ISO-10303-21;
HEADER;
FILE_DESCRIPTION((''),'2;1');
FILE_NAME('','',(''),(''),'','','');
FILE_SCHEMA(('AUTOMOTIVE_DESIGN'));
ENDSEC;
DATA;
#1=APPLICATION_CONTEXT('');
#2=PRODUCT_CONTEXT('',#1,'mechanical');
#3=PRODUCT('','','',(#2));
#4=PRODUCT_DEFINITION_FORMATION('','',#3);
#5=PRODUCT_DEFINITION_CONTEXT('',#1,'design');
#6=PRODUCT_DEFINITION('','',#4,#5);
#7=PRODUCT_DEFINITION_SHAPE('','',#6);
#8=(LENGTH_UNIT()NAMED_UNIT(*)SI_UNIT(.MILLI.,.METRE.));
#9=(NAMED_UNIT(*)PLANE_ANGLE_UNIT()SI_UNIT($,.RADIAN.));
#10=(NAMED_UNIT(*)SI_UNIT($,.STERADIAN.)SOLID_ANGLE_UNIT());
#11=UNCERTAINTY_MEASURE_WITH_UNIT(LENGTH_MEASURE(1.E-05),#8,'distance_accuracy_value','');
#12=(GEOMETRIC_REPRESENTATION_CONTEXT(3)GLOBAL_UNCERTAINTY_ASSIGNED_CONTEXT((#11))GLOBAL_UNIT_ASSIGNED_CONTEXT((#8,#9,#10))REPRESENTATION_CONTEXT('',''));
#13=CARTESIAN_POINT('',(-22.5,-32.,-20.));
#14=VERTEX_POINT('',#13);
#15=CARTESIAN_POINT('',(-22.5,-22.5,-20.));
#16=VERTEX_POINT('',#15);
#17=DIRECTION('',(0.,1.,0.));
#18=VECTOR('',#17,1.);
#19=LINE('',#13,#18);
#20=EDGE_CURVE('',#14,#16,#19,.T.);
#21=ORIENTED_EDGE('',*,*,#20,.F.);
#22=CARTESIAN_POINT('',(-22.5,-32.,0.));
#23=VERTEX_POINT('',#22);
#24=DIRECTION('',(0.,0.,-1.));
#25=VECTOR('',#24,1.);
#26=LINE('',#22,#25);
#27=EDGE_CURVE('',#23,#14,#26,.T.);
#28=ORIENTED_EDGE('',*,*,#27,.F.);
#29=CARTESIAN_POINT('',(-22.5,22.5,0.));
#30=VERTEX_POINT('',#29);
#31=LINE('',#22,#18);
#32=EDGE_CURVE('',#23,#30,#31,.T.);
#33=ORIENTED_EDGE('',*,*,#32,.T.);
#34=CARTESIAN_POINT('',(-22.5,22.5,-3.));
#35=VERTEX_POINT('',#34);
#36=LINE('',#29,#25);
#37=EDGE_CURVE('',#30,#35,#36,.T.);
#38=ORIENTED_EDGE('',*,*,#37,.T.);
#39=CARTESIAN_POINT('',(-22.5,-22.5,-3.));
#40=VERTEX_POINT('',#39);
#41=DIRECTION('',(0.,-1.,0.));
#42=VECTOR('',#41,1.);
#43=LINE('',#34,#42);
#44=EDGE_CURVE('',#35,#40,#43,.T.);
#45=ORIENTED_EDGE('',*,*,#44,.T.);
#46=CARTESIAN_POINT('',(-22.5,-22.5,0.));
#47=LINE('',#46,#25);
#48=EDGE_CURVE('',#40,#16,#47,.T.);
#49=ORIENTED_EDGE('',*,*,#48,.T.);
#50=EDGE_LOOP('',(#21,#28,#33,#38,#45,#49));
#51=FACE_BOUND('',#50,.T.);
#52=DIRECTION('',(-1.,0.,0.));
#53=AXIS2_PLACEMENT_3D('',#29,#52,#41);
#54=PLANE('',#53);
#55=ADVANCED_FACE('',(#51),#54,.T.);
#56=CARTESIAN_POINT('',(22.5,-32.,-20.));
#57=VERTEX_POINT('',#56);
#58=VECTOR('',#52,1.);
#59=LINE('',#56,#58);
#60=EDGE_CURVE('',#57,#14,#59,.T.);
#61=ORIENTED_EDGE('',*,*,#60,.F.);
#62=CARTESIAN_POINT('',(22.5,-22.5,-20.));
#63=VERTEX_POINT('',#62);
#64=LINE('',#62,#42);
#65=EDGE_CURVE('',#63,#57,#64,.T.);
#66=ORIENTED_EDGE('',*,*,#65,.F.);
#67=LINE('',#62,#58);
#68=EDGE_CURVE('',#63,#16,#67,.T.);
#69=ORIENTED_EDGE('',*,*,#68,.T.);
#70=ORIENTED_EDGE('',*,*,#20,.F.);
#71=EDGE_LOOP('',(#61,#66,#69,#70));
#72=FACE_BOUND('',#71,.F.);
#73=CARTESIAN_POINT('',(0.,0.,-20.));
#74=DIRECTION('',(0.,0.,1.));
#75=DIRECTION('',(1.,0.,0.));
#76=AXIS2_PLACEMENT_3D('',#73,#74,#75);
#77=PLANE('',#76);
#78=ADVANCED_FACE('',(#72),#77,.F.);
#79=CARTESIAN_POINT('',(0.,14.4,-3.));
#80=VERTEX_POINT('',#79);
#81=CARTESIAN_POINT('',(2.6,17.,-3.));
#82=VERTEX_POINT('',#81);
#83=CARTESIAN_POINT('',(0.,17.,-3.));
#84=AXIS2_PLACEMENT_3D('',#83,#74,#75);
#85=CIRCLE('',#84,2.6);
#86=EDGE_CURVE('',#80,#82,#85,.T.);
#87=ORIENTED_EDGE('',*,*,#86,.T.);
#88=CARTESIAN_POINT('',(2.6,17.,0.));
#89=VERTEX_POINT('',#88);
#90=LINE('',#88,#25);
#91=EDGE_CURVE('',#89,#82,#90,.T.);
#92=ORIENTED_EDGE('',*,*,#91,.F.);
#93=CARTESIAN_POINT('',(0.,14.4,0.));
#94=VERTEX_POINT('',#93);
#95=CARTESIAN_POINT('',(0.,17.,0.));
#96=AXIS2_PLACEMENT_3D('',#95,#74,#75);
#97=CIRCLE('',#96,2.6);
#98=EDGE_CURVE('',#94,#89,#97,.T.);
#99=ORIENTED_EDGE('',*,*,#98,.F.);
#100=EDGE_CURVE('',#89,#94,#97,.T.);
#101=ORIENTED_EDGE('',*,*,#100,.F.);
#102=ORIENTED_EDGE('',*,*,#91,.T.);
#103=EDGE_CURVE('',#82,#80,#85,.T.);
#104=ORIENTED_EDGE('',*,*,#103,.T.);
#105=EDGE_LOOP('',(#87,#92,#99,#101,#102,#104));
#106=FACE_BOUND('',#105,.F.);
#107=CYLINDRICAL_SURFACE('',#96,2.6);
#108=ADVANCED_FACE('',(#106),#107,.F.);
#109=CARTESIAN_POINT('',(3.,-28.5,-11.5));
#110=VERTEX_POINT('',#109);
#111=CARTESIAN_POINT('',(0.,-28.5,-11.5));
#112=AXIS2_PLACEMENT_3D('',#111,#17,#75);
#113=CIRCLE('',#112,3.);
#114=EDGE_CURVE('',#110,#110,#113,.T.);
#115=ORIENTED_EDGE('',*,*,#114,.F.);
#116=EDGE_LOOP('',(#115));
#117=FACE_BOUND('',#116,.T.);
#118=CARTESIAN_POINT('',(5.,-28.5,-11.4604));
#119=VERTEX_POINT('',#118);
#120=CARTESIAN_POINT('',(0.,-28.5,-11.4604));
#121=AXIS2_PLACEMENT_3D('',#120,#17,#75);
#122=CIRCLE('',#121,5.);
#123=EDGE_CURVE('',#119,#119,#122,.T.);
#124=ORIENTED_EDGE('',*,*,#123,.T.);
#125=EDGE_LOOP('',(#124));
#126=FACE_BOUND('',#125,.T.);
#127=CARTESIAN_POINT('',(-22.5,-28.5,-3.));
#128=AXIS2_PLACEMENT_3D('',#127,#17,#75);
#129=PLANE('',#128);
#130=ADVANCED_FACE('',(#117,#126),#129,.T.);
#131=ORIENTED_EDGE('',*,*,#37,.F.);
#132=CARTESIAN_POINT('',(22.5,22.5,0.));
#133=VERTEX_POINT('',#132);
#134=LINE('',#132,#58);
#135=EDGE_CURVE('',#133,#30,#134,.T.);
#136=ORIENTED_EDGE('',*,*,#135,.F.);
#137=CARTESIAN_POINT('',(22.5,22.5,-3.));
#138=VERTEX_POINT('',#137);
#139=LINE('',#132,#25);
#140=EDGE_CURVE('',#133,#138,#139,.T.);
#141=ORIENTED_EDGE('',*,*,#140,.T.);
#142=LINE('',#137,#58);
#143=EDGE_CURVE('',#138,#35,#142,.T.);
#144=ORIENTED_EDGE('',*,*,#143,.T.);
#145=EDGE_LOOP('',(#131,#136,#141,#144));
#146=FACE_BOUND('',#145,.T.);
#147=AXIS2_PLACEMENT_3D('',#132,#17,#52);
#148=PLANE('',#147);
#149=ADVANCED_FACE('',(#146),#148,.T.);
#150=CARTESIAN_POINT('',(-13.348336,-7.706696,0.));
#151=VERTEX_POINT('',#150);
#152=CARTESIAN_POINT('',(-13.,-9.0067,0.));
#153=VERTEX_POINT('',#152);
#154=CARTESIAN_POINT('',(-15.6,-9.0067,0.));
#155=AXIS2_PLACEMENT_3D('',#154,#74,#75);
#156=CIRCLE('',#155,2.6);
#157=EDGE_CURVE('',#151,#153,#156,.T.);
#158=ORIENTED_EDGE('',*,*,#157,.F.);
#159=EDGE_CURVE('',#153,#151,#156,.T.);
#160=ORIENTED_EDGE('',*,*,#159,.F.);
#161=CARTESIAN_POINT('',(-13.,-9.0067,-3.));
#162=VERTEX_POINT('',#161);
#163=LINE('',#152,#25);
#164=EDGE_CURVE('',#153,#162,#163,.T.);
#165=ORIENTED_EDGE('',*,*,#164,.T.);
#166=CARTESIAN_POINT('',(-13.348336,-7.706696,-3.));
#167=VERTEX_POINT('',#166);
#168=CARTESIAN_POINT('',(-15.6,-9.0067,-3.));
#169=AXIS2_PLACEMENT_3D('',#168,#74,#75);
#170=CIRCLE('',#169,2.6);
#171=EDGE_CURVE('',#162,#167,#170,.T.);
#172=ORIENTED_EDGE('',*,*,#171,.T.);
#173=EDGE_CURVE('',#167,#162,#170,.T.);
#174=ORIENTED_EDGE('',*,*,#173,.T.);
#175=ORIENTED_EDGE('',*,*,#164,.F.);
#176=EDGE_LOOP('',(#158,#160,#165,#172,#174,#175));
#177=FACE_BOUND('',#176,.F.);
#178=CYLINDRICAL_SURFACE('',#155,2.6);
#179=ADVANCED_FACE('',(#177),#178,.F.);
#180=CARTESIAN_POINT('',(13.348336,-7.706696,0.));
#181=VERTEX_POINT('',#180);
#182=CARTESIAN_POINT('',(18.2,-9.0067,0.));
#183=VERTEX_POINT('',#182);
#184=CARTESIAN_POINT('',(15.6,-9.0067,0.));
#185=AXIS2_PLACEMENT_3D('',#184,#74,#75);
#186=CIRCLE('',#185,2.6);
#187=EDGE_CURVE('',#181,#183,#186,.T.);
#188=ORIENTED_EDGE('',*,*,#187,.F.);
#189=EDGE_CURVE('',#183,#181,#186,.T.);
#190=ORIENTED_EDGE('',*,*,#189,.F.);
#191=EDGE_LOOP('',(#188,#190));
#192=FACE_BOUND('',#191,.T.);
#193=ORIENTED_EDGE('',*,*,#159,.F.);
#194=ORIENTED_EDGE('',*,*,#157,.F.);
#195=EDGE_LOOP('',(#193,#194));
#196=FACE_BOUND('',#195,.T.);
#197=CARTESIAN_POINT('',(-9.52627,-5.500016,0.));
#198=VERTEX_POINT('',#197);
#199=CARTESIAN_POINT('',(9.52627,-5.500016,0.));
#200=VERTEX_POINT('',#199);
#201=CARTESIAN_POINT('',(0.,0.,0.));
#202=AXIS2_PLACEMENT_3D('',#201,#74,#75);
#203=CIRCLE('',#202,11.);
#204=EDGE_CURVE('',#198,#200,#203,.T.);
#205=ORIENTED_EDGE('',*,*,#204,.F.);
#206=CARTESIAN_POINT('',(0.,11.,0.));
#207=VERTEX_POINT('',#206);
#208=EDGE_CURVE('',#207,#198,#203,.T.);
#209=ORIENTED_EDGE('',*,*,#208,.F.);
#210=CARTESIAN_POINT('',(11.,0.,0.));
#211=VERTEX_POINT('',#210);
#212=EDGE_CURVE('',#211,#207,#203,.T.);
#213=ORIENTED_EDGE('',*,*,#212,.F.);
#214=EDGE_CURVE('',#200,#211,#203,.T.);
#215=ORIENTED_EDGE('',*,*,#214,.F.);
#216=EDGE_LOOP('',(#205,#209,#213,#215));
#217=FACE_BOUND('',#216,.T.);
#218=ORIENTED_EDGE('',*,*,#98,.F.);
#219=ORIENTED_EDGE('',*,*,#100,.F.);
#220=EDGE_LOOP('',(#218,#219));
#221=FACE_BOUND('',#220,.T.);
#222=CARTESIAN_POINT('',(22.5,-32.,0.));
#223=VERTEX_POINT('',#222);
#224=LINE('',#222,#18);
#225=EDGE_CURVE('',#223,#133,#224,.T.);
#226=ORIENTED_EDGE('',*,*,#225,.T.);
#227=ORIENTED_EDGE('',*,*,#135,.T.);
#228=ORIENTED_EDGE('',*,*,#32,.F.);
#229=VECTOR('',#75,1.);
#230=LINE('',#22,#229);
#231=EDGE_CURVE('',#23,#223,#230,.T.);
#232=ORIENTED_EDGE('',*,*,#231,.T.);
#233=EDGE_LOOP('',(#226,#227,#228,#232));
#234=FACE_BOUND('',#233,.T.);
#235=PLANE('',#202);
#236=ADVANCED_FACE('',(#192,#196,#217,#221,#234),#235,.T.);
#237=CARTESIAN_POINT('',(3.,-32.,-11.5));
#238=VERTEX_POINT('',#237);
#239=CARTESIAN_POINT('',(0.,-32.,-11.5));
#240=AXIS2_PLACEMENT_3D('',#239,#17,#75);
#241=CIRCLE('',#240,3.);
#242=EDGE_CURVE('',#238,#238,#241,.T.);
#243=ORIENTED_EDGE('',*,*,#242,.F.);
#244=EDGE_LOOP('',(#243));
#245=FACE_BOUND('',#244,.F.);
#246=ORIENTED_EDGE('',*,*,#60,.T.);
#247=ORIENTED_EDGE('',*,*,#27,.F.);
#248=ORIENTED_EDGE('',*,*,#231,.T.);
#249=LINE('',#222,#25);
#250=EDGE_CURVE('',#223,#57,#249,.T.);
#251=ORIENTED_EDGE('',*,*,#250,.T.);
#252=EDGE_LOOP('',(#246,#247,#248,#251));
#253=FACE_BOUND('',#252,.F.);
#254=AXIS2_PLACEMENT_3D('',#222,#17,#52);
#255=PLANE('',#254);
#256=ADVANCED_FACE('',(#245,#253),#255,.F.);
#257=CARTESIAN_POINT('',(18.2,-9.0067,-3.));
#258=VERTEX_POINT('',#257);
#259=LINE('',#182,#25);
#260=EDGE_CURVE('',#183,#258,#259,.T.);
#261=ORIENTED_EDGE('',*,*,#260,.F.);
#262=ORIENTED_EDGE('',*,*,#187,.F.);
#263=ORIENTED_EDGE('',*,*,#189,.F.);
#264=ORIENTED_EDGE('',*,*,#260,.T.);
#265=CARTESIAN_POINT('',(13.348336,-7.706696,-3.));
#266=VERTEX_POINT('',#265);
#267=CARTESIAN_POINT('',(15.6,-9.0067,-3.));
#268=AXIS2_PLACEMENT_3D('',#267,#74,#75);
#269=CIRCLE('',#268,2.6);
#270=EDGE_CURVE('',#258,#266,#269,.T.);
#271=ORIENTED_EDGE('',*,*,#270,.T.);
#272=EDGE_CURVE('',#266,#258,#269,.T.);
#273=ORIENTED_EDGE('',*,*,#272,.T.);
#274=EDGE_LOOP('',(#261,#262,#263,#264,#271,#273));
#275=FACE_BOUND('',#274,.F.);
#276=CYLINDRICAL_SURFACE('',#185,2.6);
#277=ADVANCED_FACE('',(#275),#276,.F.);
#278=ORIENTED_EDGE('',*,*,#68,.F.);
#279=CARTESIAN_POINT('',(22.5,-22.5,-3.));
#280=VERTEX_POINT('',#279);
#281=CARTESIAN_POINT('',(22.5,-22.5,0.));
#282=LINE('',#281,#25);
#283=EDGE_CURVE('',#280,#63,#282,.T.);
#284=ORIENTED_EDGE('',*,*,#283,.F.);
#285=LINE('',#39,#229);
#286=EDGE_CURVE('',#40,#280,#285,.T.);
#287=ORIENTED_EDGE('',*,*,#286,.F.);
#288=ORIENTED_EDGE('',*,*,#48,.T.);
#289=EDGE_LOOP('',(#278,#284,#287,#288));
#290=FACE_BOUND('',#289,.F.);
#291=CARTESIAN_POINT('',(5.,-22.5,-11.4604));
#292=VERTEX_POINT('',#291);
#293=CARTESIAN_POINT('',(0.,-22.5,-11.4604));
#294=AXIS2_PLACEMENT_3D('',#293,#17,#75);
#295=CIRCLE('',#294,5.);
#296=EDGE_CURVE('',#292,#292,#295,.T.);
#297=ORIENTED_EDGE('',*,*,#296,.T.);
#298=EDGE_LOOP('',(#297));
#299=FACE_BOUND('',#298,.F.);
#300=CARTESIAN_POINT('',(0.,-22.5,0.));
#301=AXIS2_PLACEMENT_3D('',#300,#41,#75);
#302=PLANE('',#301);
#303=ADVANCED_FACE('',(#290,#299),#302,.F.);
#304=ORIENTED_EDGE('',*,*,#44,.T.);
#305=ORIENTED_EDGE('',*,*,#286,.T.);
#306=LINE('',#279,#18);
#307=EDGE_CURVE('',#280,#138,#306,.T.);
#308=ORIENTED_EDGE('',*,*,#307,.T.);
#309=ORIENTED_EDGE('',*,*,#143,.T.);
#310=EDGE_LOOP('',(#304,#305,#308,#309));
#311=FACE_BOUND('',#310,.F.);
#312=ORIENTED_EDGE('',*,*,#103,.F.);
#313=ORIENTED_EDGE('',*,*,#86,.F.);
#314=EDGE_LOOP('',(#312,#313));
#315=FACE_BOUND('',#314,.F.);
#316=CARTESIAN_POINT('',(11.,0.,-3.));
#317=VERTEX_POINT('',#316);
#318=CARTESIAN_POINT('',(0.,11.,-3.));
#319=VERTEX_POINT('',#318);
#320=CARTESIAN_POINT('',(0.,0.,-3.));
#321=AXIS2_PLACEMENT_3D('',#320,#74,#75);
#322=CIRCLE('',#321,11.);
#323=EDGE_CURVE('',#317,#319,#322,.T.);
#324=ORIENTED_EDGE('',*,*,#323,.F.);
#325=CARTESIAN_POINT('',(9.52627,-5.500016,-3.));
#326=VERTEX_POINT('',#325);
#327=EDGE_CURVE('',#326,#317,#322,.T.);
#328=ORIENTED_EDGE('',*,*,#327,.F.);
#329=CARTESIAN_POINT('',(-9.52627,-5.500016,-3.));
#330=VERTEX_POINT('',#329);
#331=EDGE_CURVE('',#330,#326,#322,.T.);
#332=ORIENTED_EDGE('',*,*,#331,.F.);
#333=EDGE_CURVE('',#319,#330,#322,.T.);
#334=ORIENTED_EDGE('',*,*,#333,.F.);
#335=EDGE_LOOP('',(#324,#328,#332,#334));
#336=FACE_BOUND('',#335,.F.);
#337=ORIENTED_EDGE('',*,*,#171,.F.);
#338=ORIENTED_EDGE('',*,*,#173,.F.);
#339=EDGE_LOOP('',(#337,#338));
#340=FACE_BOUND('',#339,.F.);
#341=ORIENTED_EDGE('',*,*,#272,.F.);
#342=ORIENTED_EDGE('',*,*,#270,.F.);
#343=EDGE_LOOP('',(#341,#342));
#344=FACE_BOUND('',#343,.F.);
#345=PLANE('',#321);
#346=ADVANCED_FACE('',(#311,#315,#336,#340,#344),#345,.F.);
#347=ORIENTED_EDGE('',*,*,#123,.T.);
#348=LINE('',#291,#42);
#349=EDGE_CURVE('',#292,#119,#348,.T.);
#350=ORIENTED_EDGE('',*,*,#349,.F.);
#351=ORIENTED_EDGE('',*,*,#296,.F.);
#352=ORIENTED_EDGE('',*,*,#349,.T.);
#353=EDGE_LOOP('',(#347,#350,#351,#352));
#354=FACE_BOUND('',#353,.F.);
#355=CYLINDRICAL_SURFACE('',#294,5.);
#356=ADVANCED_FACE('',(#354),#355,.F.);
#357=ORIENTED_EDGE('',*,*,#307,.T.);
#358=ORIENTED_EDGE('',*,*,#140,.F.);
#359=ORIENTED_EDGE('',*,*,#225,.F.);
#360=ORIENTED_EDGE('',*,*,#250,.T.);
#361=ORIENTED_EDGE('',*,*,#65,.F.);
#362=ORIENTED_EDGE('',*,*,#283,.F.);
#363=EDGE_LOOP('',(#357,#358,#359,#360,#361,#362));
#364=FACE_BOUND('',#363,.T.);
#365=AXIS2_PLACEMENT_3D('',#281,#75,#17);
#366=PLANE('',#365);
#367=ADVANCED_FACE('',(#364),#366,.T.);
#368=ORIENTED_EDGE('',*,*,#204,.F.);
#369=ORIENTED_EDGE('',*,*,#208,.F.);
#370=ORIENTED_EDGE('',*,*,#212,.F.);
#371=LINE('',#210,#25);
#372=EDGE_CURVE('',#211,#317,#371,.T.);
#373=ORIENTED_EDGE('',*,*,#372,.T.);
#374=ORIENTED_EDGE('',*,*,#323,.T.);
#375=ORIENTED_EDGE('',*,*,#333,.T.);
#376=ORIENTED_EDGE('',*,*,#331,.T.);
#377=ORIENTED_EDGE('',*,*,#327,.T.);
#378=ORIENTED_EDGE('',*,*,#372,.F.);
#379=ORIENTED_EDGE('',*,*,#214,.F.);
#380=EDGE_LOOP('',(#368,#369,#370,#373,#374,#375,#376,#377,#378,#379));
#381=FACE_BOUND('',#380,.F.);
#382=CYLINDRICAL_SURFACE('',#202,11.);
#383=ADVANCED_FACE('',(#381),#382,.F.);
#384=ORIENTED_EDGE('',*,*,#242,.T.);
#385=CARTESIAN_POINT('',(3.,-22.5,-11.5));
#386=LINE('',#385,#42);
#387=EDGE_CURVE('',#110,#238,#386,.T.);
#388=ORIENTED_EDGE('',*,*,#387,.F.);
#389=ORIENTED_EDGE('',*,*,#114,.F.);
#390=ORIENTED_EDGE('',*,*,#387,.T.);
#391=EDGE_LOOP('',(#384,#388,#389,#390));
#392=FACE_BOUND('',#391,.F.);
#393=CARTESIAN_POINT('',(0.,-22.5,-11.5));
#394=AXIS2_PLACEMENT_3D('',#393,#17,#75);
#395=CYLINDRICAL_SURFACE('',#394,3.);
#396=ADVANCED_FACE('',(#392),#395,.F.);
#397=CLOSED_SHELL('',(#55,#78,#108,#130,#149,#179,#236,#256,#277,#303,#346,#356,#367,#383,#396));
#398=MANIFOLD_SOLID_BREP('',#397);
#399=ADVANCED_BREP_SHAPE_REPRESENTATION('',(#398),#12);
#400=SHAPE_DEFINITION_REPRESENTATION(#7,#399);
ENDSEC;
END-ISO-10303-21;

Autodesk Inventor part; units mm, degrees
ref_plane "YZ Plane" through (0, 0, 0) normal (1, 0, 0) x (0, 1, 0)
ref_plane "XZ Plane" through (0, 0, 0) normal (0, 1, 0) x (-1, 0, 0)
ref_plane "XY Plane" through (0, 0, 0) normal (0, 0, 1) x (1, 0, 0)
sketch "Sketch1" plane through (0, 0, 0) normal (0, 0, 1) x (1, 0, 0)
  line L0 (-22.5, -22.5) -> (22.5, -22.5)
  line L1 (22.5, -22.5) -> (22.5, 22.5)
  line L2 (22.5, 22.5) -> (-22.5, 22.5)
  line L3 (-22.5, 22.5) -> (-22.5, -22.5)
  line L4 (-22.5, -22.5) -> (22.5, 22.5) construction
  line L5 (22.5, -22.5) -> (-22.5, 22.5) construction
  circle A0 centre (0, 0) radius 11
  line L6 (0, 0) -> (0, 17)
  line L7 (0, 0) -> (15.6, -9.0067)
  line L8 (0, 0) -> (-15.6, -9.0067)
  circle A1 centre (0, 17) radius 2.6
  circle A2 centre (15.6, -9.0067) radius 2.6
  circle A3 centre (-15.6, -9.0067) radius 2.6
  point P0 (22.5, -11.0947)
  point P1 (-22.5, -11.0947)
  dimension "d0" = 45
  dimension "d1" = 45
  dimension "d2" = 22
  dimension "d3" = 17
  dimension "d4" = 15.6
  dimension "d5" = 120
  dimension "d6" = 15.6
  dimension "d7" = 120
  dimension "d8" = 5.2
  dimension "d9" = 5.2
  dimension "d10" = 5.2
extrude "Extrusion2" add sketch "Sketch1" against normal blind 3
sketch "Sketch13" plane through (0, 0, 0) normal (0, 0, 1) x (1, 0, 0)
  line L0 (0, 0) -> (0, -32)
  line L1 (-22.5, -22.5) -> (22.5, -22.5) projected
  line L2 (-22.5, -22.5) -> (-22.5, 22.5) projected
  line L3 (-22.5, -22.5) -> (22.5, -22.5)
  line L4 (22.5, -22.5) -> (22.5, -32)
  line L5 (22.5, -32) -> (-22.5, -32)
  line L6 (-22.5, -32) -> (-22.5, -22.5)
  point P0 (22.5, -22.5)
  dimension "d28" = 32
extrude "Extrusion6" add sketch "Sketch13" against normal blind 20
sketch "Sketch14" plane through (-22.5, -22.5, -3) normal (0, 1, 0) x (1, 0, 0)
  line L0 (45, 0) -> (0, 0) projected
  line L1 (45, 0) -> (45, 17) projected
  line L2 (0, 17) -> (45, 17) projected
  line L3 (0, 0) -> (0, 17) projected
  circle A0 centre (22.5, 8.5) radius 3
  point P0 (22.5, -3)
  dimension "d31" = 6
sketch "Sketch15" plane through (-22.5, -22.5, -3) normal (0, 1, 0) x (1, 0, 0)
  circle A0 centre (22.5, 8.4604) radius 5
  point P0 (22.5, -3)
  dimension "d32" = 10
extrude "Extrusion7" cut sketch "Sketch14" against normal blind 10 contours A0
extrude "Extrusion8" cut sketch "Sketch15" against normal blind 6
equation "\"d1\" = d0"
equation "\"d4\" = d6"
equation "\"d7\" = d5"
equation "\"d9\" = d8"
equation "\"d10\" = d8"
properties part number "mount_v10"
